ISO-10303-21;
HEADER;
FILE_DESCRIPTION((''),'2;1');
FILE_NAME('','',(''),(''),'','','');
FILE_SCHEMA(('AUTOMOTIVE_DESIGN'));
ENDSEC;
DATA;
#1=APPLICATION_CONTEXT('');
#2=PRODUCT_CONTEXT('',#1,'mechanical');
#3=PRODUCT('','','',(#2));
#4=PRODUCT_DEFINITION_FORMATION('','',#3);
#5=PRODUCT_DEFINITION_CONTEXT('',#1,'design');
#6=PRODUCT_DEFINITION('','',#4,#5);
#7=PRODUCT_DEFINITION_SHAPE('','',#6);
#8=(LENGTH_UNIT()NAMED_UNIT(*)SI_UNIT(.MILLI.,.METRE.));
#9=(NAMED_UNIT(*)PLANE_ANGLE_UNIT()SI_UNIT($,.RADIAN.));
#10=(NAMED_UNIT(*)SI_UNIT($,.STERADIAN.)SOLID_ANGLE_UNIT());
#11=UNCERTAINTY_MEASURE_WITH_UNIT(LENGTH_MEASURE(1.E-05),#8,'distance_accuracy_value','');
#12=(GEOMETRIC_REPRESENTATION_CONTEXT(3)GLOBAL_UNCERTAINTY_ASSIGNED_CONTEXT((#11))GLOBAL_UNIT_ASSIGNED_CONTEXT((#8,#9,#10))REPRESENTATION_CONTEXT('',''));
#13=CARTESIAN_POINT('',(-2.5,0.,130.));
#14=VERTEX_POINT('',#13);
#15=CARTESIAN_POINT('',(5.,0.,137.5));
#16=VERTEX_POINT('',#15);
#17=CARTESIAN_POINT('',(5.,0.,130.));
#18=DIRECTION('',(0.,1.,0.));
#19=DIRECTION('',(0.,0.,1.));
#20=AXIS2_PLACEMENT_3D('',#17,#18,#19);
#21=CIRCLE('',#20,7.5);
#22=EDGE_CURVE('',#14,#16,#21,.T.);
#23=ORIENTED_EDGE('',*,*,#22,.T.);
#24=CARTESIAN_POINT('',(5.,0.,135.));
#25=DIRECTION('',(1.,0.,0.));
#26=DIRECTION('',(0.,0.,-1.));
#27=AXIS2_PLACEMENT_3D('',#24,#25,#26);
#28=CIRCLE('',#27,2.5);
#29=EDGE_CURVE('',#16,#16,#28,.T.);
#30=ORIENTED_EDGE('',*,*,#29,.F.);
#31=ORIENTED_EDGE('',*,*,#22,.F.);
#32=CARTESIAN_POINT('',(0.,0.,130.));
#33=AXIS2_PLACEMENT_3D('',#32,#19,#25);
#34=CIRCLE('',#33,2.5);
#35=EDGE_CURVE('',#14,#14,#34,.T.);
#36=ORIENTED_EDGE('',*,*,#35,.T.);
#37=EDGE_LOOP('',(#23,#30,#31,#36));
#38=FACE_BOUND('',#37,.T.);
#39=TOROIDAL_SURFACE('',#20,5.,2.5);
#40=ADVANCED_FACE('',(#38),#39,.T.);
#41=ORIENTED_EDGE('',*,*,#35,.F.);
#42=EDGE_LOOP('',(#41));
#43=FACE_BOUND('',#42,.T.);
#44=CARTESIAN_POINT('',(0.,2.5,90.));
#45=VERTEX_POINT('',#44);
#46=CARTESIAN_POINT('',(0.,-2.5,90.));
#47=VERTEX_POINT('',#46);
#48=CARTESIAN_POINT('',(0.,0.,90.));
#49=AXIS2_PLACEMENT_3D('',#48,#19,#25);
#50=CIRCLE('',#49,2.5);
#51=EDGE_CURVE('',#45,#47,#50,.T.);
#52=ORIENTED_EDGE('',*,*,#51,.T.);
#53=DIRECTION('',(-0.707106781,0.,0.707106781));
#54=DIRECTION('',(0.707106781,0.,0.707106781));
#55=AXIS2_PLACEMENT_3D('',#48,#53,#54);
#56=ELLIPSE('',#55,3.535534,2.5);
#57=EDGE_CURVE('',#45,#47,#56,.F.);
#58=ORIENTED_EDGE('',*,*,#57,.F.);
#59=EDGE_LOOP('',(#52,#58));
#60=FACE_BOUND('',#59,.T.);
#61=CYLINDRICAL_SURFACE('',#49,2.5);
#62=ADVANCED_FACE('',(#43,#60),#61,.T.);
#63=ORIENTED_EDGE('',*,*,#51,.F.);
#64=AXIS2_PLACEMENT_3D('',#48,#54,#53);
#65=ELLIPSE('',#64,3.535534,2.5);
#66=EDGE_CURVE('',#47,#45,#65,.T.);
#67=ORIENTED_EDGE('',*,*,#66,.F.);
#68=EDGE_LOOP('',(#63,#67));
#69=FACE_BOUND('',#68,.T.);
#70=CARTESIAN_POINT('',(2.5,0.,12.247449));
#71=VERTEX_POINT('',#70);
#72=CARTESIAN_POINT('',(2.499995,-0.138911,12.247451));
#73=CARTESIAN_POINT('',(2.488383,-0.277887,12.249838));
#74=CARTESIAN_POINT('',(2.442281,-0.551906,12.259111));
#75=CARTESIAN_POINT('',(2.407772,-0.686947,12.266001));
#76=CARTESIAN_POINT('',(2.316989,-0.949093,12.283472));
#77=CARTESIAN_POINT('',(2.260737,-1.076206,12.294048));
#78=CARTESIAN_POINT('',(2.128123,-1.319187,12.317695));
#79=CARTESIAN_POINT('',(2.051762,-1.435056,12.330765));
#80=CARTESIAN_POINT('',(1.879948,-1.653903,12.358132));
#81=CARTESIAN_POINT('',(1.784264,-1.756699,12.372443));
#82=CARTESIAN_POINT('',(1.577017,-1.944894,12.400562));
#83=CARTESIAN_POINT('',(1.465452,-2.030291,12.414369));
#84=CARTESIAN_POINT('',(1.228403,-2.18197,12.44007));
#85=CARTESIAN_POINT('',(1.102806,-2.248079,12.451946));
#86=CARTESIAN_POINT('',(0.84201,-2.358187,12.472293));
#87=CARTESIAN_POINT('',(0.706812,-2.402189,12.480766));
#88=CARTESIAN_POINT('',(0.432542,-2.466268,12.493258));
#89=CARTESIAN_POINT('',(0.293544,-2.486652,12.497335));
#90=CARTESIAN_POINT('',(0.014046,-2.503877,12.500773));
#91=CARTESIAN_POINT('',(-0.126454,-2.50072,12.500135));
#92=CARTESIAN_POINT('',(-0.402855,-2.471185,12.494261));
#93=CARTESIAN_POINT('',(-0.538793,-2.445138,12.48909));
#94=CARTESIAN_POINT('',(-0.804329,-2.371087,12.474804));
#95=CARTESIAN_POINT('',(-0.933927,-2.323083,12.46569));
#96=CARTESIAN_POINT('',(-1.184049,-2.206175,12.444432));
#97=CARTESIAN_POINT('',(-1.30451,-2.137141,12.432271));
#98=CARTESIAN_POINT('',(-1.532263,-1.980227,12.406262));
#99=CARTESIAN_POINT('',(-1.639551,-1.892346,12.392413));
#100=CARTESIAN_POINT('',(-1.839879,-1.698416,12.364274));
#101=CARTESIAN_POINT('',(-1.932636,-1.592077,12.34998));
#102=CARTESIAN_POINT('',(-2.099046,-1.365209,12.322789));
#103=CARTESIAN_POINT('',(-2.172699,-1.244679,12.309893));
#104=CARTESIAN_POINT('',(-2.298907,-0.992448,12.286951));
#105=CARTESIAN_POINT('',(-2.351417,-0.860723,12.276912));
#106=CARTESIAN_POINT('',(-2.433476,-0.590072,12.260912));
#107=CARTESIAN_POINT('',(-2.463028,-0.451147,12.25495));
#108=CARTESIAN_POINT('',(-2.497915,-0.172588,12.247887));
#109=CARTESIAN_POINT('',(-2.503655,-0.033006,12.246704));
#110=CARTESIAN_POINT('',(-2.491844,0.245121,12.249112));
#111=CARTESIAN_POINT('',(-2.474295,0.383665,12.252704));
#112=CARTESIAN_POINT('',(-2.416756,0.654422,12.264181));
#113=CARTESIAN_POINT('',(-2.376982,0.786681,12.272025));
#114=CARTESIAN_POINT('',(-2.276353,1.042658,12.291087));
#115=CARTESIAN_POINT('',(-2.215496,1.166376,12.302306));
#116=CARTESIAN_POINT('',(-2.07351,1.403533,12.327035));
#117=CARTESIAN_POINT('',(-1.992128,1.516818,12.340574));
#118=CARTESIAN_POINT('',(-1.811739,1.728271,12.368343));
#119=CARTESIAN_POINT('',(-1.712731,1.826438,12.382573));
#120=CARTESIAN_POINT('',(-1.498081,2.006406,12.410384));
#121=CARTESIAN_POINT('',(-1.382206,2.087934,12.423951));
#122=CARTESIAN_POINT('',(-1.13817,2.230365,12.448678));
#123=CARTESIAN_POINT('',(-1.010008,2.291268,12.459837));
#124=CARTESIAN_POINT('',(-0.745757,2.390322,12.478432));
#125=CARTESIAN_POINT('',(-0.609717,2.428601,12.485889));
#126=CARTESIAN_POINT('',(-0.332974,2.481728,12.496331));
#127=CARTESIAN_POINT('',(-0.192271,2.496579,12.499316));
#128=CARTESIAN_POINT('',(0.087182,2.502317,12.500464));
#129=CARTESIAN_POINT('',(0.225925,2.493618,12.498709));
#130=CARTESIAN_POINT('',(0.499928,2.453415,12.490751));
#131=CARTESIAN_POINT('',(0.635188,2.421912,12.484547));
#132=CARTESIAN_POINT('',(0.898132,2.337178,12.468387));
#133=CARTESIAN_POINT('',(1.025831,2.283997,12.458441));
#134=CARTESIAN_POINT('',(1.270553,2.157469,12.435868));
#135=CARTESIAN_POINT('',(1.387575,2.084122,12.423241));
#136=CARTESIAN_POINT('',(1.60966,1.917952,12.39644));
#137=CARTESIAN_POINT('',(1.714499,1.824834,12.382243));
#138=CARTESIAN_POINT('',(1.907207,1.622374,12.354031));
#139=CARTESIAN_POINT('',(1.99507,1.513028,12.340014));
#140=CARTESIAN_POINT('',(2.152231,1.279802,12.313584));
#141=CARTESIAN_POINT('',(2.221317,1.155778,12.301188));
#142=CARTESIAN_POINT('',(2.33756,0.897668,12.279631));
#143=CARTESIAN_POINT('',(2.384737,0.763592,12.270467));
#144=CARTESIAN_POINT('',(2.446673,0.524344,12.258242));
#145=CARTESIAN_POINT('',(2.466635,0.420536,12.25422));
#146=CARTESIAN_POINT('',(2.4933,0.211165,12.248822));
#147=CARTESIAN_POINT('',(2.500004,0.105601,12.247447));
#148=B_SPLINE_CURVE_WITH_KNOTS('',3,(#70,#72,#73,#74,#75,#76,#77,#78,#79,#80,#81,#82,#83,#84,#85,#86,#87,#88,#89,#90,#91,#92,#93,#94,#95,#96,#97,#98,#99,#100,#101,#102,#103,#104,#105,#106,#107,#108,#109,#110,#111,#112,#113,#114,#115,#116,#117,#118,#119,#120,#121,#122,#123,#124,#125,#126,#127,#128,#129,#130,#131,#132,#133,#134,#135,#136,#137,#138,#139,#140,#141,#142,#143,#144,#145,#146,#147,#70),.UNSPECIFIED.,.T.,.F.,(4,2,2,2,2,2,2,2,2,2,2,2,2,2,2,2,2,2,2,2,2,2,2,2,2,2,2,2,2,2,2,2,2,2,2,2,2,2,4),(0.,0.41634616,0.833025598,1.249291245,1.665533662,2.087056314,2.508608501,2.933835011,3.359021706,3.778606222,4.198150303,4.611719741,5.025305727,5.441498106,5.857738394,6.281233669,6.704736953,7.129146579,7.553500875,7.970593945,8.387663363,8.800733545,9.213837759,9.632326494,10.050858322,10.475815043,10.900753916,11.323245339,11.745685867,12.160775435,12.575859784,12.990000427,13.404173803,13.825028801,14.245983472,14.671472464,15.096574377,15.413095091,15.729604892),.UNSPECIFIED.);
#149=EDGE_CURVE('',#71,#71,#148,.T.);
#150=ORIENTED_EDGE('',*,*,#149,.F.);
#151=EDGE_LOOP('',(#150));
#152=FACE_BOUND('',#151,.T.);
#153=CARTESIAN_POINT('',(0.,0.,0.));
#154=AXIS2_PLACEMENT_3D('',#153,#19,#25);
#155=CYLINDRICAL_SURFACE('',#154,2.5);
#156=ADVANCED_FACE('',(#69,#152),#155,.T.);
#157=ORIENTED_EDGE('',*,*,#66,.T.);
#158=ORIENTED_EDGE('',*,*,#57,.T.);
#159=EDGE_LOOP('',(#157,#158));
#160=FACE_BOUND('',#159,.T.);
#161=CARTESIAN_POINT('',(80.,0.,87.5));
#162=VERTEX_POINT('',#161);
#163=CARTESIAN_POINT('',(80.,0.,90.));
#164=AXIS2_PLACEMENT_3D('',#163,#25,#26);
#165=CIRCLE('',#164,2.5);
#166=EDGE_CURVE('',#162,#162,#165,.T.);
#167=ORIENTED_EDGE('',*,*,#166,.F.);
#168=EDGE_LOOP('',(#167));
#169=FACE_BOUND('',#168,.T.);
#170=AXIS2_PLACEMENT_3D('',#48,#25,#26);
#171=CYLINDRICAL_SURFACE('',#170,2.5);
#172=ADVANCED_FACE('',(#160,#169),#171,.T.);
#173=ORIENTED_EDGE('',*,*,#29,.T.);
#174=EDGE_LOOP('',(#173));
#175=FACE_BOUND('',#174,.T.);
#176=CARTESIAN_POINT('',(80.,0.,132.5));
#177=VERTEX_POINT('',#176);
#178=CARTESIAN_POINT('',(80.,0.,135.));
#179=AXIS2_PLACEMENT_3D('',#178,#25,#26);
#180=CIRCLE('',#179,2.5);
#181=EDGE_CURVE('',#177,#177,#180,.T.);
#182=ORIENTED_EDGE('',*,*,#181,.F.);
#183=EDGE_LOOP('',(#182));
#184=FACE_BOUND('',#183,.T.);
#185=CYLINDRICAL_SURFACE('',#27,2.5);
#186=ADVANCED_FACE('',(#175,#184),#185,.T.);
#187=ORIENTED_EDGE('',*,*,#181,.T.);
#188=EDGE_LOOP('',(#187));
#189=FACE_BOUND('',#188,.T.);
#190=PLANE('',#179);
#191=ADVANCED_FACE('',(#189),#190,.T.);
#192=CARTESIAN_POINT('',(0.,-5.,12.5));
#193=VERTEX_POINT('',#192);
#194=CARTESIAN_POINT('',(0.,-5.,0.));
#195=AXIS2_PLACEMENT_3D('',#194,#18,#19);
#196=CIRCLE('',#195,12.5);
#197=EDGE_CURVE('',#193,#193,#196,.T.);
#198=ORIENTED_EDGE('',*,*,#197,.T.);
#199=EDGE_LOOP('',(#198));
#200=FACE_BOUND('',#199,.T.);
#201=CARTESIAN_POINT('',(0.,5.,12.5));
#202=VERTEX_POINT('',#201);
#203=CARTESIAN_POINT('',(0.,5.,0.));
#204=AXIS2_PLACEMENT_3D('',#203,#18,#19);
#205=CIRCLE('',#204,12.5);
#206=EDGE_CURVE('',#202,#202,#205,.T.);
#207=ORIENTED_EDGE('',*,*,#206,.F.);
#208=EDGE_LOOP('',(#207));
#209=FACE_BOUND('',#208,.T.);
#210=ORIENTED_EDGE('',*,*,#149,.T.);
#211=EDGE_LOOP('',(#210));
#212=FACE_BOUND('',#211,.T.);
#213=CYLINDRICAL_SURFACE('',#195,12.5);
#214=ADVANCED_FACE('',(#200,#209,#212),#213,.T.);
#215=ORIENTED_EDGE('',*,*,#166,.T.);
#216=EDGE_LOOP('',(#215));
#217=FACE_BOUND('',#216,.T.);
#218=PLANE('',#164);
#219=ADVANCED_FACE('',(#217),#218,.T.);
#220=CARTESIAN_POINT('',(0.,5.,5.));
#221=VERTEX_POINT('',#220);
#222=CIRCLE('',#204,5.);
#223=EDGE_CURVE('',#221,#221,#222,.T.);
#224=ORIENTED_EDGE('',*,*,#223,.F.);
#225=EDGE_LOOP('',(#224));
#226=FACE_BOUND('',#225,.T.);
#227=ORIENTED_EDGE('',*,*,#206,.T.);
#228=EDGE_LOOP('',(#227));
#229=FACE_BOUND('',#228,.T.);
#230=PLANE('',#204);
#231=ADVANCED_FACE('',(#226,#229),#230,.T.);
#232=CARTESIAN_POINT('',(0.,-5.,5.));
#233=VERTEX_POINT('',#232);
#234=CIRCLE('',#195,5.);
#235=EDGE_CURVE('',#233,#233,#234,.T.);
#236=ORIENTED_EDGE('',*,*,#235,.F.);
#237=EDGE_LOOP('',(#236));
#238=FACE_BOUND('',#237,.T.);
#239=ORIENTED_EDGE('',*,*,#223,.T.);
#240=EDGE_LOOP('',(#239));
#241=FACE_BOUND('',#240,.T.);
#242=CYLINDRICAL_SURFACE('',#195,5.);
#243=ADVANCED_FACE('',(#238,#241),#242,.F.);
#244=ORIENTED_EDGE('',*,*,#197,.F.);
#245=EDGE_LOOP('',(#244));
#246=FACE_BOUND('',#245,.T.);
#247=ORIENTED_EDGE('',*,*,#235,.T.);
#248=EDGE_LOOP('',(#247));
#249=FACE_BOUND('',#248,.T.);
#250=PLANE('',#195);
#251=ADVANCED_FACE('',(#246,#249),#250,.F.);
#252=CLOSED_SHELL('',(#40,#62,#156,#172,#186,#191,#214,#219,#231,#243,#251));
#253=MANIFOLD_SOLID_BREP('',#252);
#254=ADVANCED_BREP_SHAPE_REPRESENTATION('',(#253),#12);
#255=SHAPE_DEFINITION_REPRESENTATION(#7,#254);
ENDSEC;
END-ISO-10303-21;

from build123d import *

# Parameters (mm, degrees)
SKETCH2_R                = 2.5
SKETCH3_R                = 2.5
BOSS_EXTRUDE1_DEPTH      = 5
BOSS_EXTRUDE1_DEPTH_BACK = 5
SKETCH4_R                = 12.5
SKETCH5_R                = 5
CUT_EXTRUDE1_DEPTH       = 160.393381385


with BuildPart() as part:
    # Sweep1: sweep along a path in Sketch1
    with BuildLine(Plane(origin=(0, 0, 0), x_dir=(1, 0, 0), z_dir=(0, 1, 0))) as sweep1_path:
        Line((0, 0), (0, -90))
        Line((0, -90), (0, -130))
        ThreePointArc((0, -130), (1.464466094, -133.535533906), (5, -135))
        Line((5, -135), (80, -135))
    # Sketch2 → Sweep1 (sweep)
    with BuildSketch(Plane(origin=(80, 0, 135), x_dir=(0, 0, -1), z_dir=(1, 0, 0))):
        Circle(SKETCH2_R)
    sweep(path=sweep1_path.line)

    # Sweep2: sweep along a path in Sketch1<4>
    with BuildLine(Plane(origin=(0, 0, 0), x_dir=(1, 0, 0), z_dir=(0, 1, 0))) as sweep2_path:
        Line((0, -90), (80, -90))
    # Sketch3 → Sweep2 (sweep)
    with BuildSketch(Plane(origin=(80, 0, 135), x_dir=(0, 0, -1), z_dir=(1, 0, 0))):
        with Locations((45, 0)):
            Circle(SKETCH3_R)
    sweep(path=sweep2_path.line)

    # Sketch4 → Boss-Extrude1 (add, two sides: drawn at the far end of the back side and taken through both)
    with BuildSketch(Plane(origin=(0, 0, 0), x_dir=(1, 0, 0), z_dir=(0, 1, 0)).offset(-BOSS_EXTRUDE1_DEPTH_BACK)):
        Circle(SKETCH4_R)
    extrude(amount=BOSS_EXTRUDE1_DEPTH + BOSS_EXTRUDE1_DEPTH_BACK)

    # Sketch5 → Cut-Extrude1 (cut, through all)
    with BuildSketch(Plane(origin=(0, 5, 0), x_dir=(1, 0, 0), z_dir=(0, 1, 0))):
        Circle(SKETCH5_R)
    extrude(amount=-CUT_EXTRUDE1_DEPTH, mode=Mode.SUBTRACT)


solid = part.part
